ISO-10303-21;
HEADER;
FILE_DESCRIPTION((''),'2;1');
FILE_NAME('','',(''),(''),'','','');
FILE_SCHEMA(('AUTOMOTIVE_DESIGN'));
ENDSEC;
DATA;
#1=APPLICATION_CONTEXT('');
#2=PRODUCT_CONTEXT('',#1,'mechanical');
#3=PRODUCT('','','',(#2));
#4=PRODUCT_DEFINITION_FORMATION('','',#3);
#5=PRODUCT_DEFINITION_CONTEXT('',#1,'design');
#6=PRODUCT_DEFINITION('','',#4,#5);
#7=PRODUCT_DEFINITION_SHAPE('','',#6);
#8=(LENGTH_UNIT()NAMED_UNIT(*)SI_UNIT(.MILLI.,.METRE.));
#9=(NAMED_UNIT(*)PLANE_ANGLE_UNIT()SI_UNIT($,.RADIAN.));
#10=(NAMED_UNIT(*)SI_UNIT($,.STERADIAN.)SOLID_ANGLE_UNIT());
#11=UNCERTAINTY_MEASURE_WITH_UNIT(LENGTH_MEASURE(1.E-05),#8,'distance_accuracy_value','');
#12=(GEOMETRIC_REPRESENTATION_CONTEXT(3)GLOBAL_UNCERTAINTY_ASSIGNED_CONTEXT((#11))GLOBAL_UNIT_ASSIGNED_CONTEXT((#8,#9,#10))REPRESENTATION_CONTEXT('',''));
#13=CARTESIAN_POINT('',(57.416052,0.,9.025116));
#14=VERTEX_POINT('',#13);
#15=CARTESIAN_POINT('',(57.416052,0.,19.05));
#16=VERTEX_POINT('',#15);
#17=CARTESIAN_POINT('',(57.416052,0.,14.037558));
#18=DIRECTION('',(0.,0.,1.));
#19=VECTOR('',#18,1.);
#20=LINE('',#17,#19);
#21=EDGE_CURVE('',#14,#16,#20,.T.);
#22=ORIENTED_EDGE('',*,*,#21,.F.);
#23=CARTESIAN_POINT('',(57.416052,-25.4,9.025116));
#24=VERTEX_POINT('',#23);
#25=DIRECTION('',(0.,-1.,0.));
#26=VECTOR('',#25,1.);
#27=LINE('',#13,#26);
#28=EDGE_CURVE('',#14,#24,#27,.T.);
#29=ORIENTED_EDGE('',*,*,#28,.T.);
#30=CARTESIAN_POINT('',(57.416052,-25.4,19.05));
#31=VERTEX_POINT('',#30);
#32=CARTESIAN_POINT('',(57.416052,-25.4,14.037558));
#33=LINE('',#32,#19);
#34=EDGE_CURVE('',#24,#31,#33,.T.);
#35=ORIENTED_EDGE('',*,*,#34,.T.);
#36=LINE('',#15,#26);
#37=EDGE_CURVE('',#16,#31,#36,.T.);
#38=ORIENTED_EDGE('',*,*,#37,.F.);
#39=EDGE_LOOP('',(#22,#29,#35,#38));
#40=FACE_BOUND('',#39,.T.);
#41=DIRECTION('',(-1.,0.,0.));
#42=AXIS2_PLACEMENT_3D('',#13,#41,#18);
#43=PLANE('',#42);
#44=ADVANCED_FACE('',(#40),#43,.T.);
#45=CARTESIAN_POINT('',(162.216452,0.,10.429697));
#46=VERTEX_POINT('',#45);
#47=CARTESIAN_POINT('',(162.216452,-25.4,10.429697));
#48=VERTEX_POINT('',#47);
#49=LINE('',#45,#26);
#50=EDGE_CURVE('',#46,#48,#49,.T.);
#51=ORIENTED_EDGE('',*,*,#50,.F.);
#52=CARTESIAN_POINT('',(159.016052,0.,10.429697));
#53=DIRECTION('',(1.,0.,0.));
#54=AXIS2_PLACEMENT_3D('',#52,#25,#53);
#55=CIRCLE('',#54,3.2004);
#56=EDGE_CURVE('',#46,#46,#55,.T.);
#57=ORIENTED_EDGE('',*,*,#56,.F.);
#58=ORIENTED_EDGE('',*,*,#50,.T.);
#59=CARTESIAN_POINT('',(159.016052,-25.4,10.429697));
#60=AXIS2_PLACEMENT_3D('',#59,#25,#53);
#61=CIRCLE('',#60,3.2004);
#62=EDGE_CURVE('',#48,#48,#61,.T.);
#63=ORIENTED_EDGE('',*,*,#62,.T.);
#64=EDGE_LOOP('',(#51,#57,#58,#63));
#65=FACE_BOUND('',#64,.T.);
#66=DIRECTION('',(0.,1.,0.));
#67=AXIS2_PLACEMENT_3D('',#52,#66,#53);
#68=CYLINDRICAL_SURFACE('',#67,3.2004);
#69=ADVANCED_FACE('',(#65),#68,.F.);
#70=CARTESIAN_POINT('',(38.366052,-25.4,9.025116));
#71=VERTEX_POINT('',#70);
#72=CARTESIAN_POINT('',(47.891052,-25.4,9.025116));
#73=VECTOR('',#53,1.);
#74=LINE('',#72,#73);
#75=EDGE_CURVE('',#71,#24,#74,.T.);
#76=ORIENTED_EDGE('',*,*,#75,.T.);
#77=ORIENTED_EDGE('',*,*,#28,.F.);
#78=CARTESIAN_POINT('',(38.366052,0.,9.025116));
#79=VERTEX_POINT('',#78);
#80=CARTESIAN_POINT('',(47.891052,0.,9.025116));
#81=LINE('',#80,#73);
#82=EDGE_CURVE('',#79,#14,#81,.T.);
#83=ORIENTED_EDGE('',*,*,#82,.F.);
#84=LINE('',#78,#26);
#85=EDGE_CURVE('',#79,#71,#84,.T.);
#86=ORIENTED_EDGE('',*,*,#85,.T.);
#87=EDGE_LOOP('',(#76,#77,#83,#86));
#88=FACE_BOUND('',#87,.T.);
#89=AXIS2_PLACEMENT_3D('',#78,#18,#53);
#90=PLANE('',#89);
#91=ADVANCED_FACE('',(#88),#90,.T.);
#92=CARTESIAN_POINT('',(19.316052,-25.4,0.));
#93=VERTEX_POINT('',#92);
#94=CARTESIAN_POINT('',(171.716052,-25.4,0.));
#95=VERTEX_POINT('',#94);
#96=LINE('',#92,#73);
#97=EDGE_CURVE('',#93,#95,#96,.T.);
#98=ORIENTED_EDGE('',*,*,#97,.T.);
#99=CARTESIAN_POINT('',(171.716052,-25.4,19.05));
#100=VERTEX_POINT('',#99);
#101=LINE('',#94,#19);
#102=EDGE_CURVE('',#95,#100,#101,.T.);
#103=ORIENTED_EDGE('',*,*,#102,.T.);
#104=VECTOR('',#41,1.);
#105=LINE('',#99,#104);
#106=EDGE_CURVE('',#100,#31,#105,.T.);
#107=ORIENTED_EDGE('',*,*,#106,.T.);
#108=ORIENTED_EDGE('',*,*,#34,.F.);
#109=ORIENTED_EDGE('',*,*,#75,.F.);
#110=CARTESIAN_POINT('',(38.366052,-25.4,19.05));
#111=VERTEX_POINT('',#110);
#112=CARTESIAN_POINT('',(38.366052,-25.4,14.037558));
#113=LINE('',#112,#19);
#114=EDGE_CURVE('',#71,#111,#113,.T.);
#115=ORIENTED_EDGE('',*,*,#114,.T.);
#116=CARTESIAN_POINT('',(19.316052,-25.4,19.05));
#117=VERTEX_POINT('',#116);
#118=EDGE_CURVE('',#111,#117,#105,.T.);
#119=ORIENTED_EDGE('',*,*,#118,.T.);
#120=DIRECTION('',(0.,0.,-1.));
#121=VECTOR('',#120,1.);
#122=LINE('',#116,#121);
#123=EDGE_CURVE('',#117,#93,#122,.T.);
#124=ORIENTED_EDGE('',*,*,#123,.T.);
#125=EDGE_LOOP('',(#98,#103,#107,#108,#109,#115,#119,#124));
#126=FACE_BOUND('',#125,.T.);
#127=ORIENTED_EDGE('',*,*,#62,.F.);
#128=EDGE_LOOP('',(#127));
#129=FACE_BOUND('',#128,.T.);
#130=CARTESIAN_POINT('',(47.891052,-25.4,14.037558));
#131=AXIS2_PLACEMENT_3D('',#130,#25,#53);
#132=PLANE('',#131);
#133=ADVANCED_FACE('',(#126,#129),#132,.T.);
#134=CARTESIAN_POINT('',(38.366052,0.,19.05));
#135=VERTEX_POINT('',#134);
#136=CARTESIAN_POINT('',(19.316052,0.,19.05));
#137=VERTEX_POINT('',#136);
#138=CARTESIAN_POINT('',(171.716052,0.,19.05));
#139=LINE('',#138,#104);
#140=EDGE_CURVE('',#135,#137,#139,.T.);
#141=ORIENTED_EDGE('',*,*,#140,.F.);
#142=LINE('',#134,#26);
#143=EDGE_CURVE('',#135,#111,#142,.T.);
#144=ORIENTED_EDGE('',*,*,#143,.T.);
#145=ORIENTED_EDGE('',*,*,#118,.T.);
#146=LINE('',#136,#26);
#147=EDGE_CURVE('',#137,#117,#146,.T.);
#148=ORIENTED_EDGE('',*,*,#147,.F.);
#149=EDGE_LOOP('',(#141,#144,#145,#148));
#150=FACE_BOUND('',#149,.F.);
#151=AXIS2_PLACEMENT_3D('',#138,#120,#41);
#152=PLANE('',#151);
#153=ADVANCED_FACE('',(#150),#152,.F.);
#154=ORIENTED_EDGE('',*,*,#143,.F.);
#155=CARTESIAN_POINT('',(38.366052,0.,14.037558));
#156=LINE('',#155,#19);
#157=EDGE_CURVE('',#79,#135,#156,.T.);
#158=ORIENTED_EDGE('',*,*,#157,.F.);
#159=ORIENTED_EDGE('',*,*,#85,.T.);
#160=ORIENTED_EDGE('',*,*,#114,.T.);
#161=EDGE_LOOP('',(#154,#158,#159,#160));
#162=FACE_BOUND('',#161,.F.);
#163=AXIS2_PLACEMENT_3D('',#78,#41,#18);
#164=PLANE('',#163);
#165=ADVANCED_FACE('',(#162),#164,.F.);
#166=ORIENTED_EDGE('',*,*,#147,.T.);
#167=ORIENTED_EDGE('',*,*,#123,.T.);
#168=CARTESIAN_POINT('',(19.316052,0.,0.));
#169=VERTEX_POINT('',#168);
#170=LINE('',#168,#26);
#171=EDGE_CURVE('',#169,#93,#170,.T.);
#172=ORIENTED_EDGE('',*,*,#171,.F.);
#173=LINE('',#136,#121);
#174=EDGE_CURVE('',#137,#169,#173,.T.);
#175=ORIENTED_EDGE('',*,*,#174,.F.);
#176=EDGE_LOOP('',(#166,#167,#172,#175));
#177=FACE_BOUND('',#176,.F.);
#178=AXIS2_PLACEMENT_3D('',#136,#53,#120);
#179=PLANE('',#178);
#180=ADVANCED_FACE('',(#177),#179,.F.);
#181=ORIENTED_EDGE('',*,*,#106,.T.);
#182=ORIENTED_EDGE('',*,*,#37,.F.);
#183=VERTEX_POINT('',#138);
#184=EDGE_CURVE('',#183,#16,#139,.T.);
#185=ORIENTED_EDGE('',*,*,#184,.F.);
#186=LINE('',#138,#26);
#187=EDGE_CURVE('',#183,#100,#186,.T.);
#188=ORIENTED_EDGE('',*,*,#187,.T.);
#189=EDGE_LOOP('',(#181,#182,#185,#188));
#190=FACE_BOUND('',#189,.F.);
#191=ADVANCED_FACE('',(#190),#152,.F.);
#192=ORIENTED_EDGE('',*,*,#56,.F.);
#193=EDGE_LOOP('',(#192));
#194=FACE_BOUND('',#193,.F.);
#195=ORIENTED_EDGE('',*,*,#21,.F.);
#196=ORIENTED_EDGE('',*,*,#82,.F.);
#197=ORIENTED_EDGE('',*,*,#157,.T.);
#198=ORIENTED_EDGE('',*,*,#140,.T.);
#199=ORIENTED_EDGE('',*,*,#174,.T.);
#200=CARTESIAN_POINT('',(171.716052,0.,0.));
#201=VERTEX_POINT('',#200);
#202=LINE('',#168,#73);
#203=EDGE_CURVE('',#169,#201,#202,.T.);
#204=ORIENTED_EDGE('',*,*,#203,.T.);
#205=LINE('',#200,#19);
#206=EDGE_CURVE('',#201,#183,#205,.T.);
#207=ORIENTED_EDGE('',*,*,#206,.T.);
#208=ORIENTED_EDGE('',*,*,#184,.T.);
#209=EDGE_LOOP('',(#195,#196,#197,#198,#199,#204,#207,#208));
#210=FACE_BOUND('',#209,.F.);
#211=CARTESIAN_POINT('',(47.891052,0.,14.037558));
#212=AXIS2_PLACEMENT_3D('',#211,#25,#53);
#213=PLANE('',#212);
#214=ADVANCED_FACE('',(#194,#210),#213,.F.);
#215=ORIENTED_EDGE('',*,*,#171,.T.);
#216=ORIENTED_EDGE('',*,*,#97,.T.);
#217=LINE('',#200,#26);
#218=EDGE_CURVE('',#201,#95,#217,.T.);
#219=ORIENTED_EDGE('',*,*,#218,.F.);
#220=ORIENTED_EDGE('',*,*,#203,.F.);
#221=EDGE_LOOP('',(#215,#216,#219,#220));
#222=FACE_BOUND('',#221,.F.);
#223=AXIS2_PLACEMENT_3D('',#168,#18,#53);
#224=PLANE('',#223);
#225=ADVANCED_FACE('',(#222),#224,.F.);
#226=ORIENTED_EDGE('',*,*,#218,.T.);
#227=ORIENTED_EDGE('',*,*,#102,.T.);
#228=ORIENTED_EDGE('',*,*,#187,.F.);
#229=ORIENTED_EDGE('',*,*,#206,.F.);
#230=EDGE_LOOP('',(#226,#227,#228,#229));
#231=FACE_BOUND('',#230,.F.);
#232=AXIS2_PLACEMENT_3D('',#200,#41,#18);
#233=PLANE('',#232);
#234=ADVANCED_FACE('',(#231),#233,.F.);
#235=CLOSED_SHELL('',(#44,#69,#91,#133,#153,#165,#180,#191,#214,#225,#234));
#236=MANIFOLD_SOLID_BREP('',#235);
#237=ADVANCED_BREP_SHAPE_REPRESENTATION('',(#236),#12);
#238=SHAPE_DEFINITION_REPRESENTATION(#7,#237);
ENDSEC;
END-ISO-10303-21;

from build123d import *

# Parameters (mm, degrees)
F0_W     = 19.05
F0_H     = 10.024884
F0_R     = 3.2004
F1_DEPTH = 25.4
F2_DEPTH = 19.05
F3_DEPTH = 25.4


with BuildPart() as f1:
    # F0 (on Front) → F1 (new body)
    with BuildSketch(Plane.XZ):
        with Locations((47.891052, 14.037558)):
            Rectangle(F0_W, F0_H)
        Polygon((19.316052, 0), (171.716052, 0), (171.716052, 19.05), (57.416052, 19.05), (57.416052, 9.025116), (38.366052, 9.025116), (38.366052, 19.05), (19.316052, 19.05), align=None)
        with Locations((159.016052, 10.429697)):
            Circle(F0_R, mode=Mode.SUBTRACT)
    extrude(amount=F1_DEPTH)

    # F0 (on Front) → F2 (join)
    with BuildSketch(Plane.XZ):
        with Locations((47.891052, 14.037558)):
            Rectangle(F0_W, F0_H)
    extrude(amount=F2_DEPTH)

    # F0 (on Front) → F3 (cut)
    with BuildSketch(Plane.XZ):
        with Locations((47.891052, 14.037558)):
            Rectangle(F0_W, F0_H)
    extrude(amount=F3_DEPTH, mode=Mode.SUBTRACT)


solid = f1.part
